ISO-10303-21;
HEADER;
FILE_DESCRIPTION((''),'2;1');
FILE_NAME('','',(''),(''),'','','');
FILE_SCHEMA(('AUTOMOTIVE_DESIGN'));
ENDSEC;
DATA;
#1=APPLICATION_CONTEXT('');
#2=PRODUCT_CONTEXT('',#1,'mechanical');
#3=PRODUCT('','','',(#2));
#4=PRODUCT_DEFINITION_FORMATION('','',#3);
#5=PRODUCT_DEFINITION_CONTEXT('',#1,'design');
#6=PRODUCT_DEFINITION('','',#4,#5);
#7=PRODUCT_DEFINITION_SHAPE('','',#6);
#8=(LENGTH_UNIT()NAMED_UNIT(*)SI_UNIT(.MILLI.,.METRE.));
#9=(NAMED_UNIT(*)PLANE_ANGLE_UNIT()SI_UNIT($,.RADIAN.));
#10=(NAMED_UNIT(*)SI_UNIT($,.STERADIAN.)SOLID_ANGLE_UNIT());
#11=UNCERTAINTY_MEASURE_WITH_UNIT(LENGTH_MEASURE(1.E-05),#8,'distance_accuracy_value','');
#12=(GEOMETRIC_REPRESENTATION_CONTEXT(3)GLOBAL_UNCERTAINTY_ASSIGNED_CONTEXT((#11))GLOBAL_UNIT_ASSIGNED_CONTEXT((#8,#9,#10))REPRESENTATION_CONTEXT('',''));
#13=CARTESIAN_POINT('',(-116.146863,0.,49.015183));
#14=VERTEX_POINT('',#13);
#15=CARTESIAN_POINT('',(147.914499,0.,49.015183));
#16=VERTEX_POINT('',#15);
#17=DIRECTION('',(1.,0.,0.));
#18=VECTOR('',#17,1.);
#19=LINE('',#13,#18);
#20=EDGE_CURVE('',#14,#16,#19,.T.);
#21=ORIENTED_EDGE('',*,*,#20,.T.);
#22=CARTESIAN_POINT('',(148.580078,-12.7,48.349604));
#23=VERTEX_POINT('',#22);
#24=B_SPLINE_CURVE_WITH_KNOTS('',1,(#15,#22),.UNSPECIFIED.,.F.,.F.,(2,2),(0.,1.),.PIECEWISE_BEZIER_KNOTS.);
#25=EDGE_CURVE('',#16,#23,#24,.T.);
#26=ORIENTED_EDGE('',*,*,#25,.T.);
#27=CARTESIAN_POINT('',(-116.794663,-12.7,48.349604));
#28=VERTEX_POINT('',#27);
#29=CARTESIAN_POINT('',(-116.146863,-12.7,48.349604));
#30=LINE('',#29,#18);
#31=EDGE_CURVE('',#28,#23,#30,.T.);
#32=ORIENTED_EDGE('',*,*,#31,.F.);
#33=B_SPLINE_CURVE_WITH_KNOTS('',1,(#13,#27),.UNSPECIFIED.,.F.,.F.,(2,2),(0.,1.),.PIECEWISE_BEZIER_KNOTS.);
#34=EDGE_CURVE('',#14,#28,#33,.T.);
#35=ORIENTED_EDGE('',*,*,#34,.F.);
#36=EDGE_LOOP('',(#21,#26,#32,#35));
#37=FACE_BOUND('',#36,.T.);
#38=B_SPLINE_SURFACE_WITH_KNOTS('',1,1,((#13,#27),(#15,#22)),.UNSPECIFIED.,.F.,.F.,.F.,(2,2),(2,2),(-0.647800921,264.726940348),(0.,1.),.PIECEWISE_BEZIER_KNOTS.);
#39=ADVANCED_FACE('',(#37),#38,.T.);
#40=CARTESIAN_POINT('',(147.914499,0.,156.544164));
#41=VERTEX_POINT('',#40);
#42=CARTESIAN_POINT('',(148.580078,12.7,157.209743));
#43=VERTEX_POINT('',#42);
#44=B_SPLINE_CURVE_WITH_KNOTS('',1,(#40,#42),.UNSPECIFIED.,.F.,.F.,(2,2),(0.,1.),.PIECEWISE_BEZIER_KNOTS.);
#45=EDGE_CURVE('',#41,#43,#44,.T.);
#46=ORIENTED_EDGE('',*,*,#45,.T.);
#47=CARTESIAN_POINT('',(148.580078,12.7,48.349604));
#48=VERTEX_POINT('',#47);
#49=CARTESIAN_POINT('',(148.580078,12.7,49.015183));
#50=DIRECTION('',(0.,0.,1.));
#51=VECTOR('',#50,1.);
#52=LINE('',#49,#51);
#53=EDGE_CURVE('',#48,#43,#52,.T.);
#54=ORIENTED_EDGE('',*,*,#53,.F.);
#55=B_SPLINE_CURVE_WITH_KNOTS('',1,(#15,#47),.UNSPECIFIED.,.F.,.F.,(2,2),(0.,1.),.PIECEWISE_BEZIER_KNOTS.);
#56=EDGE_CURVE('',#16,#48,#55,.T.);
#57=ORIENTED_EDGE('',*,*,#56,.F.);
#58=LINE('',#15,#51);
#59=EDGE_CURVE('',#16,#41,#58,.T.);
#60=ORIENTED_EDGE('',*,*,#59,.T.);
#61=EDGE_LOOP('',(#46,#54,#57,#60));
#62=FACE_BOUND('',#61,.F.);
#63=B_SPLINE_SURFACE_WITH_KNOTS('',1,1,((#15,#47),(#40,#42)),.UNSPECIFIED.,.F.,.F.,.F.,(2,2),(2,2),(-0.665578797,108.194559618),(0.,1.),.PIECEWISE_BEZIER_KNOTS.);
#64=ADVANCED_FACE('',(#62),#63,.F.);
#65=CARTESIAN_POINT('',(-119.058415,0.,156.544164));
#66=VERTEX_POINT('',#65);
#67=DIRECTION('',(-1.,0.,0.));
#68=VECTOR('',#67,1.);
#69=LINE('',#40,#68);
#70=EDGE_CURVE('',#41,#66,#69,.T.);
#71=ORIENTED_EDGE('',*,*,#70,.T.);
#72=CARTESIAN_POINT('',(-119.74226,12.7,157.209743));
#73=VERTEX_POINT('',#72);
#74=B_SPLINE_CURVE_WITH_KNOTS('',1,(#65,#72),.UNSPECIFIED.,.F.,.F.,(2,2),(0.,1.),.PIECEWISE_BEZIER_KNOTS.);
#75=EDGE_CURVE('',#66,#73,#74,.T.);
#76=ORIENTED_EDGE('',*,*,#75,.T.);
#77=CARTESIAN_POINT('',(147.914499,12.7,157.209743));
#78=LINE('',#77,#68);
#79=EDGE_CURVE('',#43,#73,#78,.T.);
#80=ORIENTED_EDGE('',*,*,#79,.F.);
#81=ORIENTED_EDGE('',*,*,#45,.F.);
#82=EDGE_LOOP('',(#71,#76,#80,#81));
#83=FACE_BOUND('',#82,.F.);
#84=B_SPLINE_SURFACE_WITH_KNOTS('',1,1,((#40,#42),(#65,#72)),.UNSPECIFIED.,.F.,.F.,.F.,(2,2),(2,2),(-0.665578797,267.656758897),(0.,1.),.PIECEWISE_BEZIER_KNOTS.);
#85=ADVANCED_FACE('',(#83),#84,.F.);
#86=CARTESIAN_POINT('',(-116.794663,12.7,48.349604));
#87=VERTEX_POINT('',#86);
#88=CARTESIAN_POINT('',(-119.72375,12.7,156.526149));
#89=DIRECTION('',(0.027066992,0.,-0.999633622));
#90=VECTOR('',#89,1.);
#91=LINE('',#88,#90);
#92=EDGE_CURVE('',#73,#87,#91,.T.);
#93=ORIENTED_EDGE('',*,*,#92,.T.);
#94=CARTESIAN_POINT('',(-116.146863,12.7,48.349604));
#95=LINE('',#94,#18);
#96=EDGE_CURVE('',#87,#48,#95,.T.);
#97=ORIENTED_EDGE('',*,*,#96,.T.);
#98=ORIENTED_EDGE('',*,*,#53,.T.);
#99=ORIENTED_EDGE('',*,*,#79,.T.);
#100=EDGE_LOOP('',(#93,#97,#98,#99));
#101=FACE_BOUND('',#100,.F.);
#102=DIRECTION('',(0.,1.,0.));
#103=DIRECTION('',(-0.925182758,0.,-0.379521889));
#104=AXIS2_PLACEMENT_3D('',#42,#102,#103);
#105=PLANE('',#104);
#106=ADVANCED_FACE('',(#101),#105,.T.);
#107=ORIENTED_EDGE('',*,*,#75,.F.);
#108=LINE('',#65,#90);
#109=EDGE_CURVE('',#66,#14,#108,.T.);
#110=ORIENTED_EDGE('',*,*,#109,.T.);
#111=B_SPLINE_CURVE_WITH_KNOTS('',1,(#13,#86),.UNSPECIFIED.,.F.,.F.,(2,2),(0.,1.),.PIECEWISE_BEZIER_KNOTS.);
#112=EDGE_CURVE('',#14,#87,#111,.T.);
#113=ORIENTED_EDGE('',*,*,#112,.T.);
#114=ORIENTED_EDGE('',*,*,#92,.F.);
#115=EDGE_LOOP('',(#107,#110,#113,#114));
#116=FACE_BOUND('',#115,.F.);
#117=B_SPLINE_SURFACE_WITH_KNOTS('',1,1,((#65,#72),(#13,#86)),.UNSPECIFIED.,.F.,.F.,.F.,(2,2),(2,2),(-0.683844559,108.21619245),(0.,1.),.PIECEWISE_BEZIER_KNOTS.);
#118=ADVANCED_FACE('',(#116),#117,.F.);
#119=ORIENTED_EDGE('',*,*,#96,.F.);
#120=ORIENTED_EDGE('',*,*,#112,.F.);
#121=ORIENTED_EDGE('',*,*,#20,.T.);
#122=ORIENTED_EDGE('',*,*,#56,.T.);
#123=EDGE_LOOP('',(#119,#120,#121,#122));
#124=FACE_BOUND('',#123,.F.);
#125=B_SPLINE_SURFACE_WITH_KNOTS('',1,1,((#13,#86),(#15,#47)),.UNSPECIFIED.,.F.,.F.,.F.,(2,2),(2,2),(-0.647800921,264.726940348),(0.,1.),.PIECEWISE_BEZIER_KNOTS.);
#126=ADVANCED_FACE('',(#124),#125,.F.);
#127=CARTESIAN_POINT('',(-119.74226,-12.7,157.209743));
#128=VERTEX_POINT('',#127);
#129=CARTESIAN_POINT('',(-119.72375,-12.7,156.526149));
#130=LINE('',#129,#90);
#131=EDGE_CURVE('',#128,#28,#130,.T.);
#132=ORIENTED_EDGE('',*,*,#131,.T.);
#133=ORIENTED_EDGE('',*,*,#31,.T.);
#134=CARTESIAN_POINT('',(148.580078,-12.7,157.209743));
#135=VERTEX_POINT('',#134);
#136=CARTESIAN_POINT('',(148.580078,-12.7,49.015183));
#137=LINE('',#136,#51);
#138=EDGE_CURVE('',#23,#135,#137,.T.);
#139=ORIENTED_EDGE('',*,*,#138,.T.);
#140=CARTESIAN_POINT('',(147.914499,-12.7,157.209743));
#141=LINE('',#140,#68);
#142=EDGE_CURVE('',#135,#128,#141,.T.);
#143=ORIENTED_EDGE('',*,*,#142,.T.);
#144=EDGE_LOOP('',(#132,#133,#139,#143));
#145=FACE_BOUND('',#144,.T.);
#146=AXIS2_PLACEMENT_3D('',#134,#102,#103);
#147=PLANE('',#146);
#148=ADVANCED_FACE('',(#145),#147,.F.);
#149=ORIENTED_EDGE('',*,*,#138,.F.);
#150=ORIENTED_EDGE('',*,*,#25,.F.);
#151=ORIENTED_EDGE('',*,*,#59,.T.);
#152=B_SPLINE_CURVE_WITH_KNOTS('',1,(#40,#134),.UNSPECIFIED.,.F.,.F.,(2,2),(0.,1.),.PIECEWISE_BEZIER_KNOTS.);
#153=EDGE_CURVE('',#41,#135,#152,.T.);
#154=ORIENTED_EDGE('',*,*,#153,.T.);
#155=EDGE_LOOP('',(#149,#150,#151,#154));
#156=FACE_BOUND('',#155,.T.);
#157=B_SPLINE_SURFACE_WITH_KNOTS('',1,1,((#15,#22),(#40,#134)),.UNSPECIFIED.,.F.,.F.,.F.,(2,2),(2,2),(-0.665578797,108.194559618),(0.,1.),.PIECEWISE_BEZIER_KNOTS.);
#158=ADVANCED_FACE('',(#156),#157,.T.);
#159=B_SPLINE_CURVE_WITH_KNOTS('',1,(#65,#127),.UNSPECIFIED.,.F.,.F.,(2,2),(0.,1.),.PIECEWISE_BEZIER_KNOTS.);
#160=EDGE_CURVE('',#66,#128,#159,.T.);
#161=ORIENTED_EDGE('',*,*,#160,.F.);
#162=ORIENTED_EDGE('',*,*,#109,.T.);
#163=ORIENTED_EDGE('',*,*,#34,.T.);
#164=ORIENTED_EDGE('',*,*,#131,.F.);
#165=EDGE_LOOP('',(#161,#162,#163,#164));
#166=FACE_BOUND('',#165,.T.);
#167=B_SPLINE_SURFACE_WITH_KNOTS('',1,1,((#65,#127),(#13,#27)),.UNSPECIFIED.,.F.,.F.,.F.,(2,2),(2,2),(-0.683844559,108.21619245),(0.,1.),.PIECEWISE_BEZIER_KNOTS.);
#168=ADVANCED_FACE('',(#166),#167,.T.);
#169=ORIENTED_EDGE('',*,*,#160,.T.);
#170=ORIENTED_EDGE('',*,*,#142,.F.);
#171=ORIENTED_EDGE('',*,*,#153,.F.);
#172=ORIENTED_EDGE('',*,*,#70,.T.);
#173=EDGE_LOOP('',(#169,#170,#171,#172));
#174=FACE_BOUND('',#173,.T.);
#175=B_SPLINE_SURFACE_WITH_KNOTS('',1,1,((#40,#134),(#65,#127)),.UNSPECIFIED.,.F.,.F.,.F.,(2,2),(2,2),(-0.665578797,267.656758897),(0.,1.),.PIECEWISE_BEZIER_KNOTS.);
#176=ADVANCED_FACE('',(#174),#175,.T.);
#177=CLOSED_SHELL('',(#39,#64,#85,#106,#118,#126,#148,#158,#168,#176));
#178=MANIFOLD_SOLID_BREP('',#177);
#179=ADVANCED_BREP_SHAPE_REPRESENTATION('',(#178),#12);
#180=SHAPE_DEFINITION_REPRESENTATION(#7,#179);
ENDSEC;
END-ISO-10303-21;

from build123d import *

# Parameters (mm, degrees)
F1_DEPTH = 12.7
F1_TAPER = -3


with BuildPart() as f1:
    # F0 (on Front) → F1 (new body, symmetric)
    with BuildSketch(Plane.XZ):
        Polygon((147.9144990444, 156.5441638231), (-119.0584152937, 156.5441638231), (-116.1468625069, 49.0151830018), (147.9144990444, 49.0151830018), align=None)
    extrude(amount=F1_DEPTH, both=True, taper=F1_TAPER)


solid = f1.part
